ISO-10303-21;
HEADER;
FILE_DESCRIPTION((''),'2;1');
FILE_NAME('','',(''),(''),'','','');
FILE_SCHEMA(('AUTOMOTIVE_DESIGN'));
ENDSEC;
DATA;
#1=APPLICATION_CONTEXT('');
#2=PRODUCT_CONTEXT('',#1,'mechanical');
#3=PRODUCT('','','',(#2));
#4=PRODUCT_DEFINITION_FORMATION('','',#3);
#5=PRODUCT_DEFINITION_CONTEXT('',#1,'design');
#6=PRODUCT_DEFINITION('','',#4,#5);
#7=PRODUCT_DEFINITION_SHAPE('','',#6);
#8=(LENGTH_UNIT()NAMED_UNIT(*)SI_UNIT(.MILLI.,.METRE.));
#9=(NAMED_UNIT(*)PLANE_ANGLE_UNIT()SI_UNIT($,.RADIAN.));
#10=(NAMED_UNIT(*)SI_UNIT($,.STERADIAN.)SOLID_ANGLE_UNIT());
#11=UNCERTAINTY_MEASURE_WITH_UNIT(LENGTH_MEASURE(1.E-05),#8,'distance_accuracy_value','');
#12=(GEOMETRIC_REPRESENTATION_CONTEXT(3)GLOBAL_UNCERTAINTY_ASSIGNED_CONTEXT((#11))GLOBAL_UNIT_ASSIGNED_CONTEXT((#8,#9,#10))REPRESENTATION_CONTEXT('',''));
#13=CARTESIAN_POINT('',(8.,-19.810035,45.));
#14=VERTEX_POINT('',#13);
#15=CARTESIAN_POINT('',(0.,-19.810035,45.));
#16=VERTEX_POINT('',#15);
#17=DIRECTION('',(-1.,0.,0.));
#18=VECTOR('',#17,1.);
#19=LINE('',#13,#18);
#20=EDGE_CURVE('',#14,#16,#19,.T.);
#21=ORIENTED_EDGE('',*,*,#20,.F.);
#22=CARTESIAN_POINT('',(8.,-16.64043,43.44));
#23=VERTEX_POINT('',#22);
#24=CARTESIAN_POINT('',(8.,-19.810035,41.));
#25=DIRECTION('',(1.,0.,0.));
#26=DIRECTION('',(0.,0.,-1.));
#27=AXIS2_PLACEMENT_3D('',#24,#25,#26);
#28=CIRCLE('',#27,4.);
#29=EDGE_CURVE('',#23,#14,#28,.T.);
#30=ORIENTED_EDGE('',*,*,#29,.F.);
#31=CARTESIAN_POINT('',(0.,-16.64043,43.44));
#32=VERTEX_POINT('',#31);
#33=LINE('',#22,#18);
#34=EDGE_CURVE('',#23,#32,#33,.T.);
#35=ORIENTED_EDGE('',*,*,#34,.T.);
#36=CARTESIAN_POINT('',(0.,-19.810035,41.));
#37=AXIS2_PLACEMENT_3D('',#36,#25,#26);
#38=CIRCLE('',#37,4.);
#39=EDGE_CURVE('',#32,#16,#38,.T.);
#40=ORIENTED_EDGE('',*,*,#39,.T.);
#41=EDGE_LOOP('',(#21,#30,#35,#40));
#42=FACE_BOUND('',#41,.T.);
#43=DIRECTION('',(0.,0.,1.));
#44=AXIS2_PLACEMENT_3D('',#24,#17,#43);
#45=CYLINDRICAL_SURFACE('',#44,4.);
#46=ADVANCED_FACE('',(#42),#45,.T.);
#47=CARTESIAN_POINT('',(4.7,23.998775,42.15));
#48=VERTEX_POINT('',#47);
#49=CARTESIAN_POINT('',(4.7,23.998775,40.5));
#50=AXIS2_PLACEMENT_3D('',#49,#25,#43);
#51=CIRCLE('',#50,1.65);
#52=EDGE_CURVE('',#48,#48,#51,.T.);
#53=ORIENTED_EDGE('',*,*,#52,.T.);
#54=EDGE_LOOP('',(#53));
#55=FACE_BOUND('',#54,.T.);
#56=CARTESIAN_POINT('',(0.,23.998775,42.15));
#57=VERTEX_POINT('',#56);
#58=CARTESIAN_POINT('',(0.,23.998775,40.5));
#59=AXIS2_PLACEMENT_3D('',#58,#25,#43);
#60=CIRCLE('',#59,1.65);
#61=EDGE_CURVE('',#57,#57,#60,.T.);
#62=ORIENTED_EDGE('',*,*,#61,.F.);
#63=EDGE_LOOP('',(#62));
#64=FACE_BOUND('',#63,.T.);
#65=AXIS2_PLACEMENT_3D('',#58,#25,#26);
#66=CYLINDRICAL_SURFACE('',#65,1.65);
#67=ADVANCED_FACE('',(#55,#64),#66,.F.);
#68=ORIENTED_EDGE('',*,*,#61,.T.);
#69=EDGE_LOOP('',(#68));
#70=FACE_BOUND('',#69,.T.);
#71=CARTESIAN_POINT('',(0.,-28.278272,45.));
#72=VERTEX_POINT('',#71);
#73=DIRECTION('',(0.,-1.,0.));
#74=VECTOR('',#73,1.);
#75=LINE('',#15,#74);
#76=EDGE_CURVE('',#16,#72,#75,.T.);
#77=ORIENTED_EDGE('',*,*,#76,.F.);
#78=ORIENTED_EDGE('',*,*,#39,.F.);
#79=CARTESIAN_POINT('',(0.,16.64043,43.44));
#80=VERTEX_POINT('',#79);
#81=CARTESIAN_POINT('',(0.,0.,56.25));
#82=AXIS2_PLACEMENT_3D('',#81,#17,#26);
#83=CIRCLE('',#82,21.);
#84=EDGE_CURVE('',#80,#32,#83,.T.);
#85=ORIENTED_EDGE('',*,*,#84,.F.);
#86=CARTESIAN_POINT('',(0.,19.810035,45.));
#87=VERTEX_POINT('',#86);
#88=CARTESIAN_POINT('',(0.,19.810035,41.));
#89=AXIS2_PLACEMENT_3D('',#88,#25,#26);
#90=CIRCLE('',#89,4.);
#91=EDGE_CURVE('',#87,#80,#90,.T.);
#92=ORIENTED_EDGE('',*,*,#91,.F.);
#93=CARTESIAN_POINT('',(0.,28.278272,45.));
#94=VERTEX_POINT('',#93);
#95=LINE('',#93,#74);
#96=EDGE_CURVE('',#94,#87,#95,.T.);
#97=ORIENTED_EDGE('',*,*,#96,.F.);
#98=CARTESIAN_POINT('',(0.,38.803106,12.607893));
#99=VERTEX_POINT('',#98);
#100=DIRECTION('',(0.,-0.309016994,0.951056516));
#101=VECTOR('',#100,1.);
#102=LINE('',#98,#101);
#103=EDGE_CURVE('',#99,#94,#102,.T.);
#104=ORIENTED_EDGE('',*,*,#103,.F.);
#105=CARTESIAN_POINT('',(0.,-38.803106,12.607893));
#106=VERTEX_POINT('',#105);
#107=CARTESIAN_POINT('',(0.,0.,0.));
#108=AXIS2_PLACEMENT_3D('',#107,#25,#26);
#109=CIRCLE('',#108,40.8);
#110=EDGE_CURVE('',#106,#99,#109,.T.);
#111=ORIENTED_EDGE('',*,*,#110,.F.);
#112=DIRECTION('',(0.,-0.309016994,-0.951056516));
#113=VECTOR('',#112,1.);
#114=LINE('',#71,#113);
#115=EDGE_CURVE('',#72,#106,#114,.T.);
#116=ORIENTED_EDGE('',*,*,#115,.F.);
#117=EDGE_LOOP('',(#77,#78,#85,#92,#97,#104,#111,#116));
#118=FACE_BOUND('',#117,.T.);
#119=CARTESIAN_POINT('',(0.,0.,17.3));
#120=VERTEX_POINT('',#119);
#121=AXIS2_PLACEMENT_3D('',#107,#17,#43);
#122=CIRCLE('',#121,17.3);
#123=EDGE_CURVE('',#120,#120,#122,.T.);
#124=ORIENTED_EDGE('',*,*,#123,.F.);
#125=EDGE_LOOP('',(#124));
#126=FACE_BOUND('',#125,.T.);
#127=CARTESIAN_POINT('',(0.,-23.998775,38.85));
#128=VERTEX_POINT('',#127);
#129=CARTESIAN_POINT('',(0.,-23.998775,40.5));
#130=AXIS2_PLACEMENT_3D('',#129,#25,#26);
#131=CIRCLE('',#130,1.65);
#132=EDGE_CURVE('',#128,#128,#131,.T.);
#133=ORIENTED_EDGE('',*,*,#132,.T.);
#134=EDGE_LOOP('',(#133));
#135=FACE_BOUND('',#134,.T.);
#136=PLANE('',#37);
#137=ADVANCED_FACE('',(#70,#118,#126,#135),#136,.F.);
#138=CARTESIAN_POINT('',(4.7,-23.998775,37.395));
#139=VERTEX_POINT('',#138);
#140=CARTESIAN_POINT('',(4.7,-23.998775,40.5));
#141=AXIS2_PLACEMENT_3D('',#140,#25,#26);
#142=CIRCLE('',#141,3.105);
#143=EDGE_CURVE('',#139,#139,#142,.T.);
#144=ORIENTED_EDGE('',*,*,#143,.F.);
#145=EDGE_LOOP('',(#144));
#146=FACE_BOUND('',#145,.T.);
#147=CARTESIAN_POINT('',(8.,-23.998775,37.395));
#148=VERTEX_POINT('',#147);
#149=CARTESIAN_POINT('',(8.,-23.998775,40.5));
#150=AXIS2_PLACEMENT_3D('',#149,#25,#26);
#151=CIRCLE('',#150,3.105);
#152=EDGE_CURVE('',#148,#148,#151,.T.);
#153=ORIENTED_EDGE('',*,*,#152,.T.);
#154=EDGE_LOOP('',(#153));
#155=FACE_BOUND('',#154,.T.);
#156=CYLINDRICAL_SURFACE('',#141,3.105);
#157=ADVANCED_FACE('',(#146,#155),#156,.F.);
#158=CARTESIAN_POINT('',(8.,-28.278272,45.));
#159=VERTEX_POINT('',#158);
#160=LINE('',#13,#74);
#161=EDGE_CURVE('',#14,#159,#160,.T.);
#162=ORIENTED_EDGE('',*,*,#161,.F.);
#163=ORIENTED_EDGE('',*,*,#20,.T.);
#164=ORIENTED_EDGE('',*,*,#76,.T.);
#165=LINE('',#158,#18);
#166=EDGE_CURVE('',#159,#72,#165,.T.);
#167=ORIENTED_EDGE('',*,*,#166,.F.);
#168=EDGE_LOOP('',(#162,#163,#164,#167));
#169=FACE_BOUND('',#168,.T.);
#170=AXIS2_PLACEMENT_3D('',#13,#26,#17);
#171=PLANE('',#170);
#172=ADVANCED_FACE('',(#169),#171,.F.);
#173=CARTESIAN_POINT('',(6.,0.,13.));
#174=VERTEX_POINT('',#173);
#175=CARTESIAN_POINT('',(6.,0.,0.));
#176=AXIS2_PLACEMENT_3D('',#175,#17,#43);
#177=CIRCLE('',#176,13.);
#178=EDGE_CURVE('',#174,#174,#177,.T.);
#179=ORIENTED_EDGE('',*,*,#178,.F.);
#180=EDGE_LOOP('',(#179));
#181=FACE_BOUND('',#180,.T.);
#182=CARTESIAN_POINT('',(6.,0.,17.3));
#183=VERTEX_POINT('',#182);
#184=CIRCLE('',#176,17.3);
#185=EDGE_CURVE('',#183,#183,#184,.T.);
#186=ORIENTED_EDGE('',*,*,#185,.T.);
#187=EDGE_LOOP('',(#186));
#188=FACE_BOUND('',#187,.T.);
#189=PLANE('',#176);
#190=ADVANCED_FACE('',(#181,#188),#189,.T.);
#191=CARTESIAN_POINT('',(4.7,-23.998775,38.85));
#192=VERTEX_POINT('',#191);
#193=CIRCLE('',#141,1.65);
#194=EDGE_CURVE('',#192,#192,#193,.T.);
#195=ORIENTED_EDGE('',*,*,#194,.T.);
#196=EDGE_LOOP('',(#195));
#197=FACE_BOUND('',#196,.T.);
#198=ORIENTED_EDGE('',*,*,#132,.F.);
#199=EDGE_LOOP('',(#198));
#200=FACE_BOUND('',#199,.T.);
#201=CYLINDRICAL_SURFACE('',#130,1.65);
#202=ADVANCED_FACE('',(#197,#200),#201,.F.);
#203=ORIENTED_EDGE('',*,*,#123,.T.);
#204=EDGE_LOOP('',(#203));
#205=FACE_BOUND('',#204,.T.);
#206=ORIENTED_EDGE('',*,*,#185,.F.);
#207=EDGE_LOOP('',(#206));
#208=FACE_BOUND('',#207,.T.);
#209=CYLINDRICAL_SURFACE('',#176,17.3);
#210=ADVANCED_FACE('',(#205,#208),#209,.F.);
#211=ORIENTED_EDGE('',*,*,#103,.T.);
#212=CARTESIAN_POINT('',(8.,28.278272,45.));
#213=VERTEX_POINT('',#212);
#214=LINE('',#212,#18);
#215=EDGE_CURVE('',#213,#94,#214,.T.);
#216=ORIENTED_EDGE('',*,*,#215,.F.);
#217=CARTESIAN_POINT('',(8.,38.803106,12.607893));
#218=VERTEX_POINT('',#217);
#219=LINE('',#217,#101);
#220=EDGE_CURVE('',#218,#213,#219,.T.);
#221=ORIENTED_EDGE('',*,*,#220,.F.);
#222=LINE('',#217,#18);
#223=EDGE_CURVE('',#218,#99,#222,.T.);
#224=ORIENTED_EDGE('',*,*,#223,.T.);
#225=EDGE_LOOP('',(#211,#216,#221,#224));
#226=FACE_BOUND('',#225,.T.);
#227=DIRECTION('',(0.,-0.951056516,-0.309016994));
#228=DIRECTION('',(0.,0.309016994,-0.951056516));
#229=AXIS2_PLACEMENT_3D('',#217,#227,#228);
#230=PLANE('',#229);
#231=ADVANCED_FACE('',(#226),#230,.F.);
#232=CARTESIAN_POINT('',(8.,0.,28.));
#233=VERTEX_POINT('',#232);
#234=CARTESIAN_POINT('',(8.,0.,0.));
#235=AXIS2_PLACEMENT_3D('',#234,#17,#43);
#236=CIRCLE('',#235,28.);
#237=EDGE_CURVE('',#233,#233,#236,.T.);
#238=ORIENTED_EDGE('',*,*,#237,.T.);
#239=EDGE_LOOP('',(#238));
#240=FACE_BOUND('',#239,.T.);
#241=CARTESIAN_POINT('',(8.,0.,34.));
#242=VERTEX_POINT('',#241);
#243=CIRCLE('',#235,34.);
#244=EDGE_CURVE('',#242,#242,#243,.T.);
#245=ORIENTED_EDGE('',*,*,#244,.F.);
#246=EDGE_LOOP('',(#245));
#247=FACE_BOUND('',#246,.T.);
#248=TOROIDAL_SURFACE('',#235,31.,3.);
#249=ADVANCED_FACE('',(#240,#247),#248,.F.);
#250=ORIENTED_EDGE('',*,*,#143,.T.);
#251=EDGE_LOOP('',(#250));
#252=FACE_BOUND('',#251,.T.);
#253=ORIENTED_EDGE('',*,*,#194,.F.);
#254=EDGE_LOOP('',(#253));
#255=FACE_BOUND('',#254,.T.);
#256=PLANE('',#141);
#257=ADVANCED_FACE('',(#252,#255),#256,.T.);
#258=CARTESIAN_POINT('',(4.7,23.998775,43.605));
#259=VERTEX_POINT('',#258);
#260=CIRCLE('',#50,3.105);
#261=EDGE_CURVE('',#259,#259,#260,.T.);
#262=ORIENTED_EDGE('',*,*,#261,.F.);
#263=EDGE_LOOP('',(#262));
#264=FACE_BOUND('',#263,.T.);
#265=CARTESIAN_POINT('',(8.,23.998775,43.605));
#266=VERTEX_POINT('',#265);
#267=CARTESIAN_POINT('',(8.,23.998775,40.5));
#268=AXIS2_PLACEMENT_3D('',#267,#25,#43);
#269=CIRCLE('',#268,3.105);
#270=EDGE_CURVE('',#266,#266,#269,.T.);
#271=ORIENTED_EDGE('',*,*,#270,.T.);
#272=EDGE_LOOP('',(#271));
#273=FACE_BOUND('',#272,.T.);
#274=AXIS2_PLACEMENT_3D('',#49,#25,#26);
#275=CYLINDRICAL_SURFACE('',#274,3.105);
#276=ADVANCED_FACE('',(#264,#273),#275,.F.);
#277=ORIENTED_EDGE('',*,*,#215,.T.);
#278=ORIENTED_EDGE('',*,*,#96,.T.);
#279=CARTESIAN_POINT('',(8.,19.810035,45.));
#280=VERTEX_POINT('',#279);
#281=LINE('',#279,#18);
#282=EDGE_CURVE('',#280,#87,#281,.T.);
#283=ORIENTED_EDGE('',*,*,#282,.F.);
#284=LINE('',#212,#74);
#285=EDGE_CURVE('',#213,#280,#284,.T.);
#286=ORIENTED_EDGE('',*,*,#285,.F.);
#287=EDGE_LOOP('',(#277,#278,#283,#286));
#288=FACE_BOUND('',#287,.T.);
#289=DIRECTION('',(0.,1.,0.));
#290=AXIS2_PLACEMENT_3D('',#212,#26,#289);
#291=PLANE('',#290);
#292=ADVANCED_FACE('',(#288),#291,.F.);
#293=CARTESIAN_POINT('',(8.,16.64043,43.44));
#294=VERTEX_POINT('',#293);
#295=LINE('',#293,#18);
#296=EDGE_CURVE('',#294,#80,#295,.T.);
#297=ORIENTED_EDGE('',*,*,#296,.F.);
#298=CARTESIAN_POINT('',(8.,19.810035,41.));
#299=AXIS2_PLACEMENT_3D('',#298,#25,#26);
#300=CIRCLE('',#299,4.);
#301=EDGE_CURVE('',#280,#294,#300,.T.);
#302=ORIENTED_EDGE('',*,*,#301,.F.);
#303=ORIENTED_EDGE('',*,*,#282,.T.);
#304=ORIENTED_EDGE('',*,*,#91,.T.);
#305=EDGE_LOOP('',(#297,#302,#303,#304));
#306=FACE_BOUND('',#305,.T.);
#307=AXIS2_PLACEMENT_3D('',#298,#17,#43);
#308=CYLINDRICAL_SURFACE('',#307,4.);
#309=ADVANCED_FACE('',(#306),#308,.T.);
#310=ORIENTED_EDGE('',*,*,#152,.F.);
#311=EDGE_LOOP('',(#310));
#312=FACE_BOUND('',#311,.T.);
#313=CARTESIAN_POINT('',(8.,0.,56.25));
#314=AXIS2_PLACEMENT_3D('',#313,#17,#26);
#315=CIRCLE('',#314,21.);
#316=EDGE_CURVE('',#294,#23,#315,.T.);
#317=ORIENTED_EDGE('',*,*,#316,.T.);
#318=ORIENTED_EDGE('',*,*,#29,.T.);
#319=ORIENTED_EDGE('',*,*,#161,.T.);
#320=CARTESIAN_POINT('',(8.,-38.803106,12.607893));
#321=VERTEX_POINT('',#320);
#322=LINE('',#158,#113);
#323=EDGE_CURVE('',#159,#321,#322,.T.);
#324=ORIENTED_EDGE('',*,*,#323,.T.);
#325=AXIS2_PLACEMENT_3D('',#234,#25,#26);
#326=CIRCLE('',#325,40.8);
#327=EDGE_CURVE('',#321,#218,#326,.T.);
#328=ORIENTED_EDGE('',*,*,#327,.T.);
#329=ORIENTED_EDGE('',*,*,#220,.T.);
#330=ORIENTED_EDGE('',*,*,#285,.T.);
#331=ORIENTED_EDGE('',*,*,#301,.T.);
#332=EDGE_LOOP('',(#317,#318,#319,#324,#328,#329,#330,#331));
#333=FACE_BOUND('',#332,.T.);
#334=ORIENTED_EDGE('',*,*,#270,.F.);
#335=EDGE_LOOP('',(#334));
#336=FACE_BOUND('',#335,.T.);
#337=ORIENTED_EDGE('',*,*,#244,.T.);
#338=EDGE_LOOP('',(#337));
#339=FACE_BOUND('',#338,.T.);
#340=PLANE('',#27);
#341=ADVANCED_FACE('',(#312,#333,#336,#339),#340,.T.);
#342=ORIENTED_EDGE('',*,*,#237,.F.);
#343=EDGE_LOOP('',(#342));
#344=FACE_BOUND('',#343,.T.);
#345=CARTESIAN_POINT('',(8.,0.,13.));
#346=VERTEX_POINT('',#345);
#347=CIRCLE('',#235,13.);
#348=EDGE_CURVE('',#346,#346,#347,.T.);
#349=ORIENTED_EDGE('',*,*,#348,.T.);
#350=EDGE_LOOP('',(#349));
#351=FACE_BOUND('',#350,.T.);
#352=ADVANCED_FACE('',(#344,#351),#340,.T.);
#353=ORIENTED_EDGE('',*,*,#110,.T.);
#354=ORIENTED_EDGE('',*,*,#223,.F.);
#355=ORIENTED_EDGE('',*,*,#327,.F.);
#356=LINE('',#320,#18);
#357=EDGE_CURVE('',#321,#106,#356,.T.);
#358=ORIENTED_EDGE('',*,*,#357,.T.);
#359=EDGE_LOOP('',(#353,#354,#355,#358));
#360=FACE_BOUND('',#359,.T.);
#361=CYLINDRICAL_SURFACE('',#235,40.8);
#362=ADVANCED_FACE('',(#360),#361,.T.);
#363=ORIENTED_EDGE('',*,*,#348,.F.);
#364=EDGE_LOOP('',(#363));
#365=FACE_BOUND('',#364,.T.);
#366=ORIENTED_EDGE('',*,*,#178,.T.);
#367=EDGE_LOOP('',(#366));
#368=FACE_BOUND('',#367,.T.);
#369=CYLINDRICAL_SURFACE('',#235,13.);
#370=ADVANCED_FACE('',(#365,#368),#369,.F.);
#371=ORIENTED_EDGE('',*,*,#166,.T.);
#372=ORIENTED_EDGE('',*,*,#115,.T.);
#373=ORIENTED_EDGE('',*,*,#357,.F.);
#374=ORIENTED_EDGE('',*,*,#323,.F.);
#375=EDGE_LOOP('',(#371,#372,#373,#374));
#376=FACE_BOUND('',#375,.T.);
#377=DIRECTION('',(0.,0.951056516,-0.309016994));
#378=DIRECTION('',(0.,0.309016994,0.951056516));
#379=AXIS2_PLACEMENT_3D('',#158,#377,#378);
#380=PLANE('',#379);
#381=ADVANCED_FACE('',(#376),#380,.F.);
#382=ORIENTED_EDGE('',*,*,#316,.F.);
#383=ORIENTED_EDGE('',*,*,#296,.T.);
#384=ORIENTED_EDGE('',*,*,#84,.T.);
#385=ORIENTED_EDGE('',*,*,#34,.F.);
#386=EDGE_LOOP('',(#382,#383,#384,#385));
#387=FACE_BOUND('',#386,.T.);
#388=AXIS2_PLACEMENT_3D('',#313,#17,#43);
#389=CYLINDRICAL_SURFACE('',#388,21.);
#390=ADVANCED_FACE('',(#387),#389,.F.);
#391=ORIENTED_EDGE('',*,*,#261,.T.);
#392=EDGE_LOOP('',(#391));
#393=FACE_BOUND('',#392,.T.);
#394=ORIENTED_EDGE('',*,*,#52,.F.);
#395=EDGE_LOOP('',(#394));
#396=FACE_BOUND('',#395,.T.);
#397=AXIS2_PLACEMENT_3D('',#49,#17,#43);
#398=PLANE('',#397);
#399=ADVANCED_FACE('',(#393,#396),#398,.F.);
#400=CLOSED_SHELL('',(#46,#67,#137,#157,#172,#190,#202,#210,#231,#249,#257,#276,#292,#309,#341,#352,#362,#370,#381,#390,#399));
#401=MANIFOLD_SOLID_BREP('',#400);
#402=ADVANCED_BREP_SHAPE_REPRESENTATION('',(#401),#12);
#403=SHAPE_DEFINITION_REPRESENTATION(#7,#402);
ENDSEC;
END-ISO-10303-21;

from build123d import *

# Parameters (mm, degrees)
EXTRUDE_1_DEPTH     = 8
SKETCH_4_R          = 3.105
CUT_EXTRUDE_1_DEPTH = 3.3
SKETCH_5_R          = 1.65
CUT_EXTRUDE_2_DEPTH = 61.923969011
SKETCH_6_R          = 17.3
CUT_EXTRUDE_3_DEPTH = 6
SKETCH_7_R          = 13
CUT_EXTRUDE_4_DEPTH = 62.038020938


with BuildPart() as part:
    # 草图1 → 凸台-拉伸1 (new body)
    with BuildSketch(Plane(origin=(0, 0, 0), x_dir=(0, 0, -1), z_dir=(1, 0, 0))):
        with BuildLine():
            Line((-45, -19.810035336), (-45, -28.278272418))
            Line((-45, -28.278272418), (-12.60789337, -38.803105865))
            ThreePointArc((-12.60789337, -38.803105865), (40.8, 0), (-12.60789337, 38.803105865))
            Line((-12.60789337, 38.803105865), (-45, 28.278272418))
            Line((-45, 28.278272418), (-45, 19.810035336))
            ThreePointArc((-45, 19.810035336), (-44.588871689, 18.043683162), (-43.44, 16.640429682))
            ThreePointArc((-43.44, 16.640429682), (-35.25, 0), (-43.44, -16.640429682))
            ThreePointArc((-43.44, -16.640429682), (-44.588871689, -18.043683162), (-45, -19.810035336))
        make_face()
    extrude(amount=EXTRUDE_1_DEPTH)

    # 草图3 → 切除-旋转1 (revolve, cut)
    with BuildSketch(Plane(origin=(0, 0, 0), x_dir=(1, 0, 0), z_dir=(0, 1, 0)), mode=Mode.PRIVATE) as cut_revolve_1_sk:
        with BuildLine():
            Line((8, 34), (8, 28))
            ThreePointArc((8, 28), (5, 31), (8, 34))
        make_face()
    revolve(cut_revolve_1_sk.sketch.rotate(Axis((0, 0, 0), (1, 0, 0)), 180), axis=Axis((0, 0, 0), (1, 0, 0)), mode=Mode.SUBTRACT)

    # 草图4 → 切除-拉伸1 (cut)
    with BuildSketch(Plane(origin=(8, 0, 0), x_dir=(0, 0, -1), z_dir=(1, 0, 0))):
        with Locations((-40.5, -23.998774784)):
            Circle(SKETCH_4_R)
        with Locations(Location((-40.5, 23.998774784, 0), (0, 0, 180))):
            Circle(SKETCH_4_R)
    extrude(amount=-CUT_EXTRUDE_1_DEPTH, mode=Mode.SUBTRACT)

    # 草图5 → 切除-拉伸2 (cut, through all)
    with BuildSketch(Plane(origin=(4.7, 0, 0), x_dir=(0, 0, -1), z_dir=(1, 0, 0))):
        with Locations((-40.5, -23.998774784)):
            Circle(SKETCH_5_R)
        with Locations(Location((-40.5, 23.998774784, 0), (0, 0, 180))):
            Circle(SKETCH_5_R)
    extrude(amount=-CUT_EXTRUDE_2_DEPTH, mode=Mode.SUBTRACT)

    # 草图6 → 切除-拉伸3 (cut)
    with BuildSketch(Plane.ZY):
        Circle(SKETCH_6_R)
    extrude(amount=-CUT_EXTRUDE_3_DEPTH, mode=Mode.SUBTRACT)

    # 草图7 → 切除-拉伸4 (cut, through all)
    with BuildSketch(Plane.ZY.offset(-6)):
        Circle(SKETCH_7_R)
    extrude(amount=-CUT_EXTRUDE_4_DEPTH, mode=Mode.SUBTRACT)


solid = part.part
